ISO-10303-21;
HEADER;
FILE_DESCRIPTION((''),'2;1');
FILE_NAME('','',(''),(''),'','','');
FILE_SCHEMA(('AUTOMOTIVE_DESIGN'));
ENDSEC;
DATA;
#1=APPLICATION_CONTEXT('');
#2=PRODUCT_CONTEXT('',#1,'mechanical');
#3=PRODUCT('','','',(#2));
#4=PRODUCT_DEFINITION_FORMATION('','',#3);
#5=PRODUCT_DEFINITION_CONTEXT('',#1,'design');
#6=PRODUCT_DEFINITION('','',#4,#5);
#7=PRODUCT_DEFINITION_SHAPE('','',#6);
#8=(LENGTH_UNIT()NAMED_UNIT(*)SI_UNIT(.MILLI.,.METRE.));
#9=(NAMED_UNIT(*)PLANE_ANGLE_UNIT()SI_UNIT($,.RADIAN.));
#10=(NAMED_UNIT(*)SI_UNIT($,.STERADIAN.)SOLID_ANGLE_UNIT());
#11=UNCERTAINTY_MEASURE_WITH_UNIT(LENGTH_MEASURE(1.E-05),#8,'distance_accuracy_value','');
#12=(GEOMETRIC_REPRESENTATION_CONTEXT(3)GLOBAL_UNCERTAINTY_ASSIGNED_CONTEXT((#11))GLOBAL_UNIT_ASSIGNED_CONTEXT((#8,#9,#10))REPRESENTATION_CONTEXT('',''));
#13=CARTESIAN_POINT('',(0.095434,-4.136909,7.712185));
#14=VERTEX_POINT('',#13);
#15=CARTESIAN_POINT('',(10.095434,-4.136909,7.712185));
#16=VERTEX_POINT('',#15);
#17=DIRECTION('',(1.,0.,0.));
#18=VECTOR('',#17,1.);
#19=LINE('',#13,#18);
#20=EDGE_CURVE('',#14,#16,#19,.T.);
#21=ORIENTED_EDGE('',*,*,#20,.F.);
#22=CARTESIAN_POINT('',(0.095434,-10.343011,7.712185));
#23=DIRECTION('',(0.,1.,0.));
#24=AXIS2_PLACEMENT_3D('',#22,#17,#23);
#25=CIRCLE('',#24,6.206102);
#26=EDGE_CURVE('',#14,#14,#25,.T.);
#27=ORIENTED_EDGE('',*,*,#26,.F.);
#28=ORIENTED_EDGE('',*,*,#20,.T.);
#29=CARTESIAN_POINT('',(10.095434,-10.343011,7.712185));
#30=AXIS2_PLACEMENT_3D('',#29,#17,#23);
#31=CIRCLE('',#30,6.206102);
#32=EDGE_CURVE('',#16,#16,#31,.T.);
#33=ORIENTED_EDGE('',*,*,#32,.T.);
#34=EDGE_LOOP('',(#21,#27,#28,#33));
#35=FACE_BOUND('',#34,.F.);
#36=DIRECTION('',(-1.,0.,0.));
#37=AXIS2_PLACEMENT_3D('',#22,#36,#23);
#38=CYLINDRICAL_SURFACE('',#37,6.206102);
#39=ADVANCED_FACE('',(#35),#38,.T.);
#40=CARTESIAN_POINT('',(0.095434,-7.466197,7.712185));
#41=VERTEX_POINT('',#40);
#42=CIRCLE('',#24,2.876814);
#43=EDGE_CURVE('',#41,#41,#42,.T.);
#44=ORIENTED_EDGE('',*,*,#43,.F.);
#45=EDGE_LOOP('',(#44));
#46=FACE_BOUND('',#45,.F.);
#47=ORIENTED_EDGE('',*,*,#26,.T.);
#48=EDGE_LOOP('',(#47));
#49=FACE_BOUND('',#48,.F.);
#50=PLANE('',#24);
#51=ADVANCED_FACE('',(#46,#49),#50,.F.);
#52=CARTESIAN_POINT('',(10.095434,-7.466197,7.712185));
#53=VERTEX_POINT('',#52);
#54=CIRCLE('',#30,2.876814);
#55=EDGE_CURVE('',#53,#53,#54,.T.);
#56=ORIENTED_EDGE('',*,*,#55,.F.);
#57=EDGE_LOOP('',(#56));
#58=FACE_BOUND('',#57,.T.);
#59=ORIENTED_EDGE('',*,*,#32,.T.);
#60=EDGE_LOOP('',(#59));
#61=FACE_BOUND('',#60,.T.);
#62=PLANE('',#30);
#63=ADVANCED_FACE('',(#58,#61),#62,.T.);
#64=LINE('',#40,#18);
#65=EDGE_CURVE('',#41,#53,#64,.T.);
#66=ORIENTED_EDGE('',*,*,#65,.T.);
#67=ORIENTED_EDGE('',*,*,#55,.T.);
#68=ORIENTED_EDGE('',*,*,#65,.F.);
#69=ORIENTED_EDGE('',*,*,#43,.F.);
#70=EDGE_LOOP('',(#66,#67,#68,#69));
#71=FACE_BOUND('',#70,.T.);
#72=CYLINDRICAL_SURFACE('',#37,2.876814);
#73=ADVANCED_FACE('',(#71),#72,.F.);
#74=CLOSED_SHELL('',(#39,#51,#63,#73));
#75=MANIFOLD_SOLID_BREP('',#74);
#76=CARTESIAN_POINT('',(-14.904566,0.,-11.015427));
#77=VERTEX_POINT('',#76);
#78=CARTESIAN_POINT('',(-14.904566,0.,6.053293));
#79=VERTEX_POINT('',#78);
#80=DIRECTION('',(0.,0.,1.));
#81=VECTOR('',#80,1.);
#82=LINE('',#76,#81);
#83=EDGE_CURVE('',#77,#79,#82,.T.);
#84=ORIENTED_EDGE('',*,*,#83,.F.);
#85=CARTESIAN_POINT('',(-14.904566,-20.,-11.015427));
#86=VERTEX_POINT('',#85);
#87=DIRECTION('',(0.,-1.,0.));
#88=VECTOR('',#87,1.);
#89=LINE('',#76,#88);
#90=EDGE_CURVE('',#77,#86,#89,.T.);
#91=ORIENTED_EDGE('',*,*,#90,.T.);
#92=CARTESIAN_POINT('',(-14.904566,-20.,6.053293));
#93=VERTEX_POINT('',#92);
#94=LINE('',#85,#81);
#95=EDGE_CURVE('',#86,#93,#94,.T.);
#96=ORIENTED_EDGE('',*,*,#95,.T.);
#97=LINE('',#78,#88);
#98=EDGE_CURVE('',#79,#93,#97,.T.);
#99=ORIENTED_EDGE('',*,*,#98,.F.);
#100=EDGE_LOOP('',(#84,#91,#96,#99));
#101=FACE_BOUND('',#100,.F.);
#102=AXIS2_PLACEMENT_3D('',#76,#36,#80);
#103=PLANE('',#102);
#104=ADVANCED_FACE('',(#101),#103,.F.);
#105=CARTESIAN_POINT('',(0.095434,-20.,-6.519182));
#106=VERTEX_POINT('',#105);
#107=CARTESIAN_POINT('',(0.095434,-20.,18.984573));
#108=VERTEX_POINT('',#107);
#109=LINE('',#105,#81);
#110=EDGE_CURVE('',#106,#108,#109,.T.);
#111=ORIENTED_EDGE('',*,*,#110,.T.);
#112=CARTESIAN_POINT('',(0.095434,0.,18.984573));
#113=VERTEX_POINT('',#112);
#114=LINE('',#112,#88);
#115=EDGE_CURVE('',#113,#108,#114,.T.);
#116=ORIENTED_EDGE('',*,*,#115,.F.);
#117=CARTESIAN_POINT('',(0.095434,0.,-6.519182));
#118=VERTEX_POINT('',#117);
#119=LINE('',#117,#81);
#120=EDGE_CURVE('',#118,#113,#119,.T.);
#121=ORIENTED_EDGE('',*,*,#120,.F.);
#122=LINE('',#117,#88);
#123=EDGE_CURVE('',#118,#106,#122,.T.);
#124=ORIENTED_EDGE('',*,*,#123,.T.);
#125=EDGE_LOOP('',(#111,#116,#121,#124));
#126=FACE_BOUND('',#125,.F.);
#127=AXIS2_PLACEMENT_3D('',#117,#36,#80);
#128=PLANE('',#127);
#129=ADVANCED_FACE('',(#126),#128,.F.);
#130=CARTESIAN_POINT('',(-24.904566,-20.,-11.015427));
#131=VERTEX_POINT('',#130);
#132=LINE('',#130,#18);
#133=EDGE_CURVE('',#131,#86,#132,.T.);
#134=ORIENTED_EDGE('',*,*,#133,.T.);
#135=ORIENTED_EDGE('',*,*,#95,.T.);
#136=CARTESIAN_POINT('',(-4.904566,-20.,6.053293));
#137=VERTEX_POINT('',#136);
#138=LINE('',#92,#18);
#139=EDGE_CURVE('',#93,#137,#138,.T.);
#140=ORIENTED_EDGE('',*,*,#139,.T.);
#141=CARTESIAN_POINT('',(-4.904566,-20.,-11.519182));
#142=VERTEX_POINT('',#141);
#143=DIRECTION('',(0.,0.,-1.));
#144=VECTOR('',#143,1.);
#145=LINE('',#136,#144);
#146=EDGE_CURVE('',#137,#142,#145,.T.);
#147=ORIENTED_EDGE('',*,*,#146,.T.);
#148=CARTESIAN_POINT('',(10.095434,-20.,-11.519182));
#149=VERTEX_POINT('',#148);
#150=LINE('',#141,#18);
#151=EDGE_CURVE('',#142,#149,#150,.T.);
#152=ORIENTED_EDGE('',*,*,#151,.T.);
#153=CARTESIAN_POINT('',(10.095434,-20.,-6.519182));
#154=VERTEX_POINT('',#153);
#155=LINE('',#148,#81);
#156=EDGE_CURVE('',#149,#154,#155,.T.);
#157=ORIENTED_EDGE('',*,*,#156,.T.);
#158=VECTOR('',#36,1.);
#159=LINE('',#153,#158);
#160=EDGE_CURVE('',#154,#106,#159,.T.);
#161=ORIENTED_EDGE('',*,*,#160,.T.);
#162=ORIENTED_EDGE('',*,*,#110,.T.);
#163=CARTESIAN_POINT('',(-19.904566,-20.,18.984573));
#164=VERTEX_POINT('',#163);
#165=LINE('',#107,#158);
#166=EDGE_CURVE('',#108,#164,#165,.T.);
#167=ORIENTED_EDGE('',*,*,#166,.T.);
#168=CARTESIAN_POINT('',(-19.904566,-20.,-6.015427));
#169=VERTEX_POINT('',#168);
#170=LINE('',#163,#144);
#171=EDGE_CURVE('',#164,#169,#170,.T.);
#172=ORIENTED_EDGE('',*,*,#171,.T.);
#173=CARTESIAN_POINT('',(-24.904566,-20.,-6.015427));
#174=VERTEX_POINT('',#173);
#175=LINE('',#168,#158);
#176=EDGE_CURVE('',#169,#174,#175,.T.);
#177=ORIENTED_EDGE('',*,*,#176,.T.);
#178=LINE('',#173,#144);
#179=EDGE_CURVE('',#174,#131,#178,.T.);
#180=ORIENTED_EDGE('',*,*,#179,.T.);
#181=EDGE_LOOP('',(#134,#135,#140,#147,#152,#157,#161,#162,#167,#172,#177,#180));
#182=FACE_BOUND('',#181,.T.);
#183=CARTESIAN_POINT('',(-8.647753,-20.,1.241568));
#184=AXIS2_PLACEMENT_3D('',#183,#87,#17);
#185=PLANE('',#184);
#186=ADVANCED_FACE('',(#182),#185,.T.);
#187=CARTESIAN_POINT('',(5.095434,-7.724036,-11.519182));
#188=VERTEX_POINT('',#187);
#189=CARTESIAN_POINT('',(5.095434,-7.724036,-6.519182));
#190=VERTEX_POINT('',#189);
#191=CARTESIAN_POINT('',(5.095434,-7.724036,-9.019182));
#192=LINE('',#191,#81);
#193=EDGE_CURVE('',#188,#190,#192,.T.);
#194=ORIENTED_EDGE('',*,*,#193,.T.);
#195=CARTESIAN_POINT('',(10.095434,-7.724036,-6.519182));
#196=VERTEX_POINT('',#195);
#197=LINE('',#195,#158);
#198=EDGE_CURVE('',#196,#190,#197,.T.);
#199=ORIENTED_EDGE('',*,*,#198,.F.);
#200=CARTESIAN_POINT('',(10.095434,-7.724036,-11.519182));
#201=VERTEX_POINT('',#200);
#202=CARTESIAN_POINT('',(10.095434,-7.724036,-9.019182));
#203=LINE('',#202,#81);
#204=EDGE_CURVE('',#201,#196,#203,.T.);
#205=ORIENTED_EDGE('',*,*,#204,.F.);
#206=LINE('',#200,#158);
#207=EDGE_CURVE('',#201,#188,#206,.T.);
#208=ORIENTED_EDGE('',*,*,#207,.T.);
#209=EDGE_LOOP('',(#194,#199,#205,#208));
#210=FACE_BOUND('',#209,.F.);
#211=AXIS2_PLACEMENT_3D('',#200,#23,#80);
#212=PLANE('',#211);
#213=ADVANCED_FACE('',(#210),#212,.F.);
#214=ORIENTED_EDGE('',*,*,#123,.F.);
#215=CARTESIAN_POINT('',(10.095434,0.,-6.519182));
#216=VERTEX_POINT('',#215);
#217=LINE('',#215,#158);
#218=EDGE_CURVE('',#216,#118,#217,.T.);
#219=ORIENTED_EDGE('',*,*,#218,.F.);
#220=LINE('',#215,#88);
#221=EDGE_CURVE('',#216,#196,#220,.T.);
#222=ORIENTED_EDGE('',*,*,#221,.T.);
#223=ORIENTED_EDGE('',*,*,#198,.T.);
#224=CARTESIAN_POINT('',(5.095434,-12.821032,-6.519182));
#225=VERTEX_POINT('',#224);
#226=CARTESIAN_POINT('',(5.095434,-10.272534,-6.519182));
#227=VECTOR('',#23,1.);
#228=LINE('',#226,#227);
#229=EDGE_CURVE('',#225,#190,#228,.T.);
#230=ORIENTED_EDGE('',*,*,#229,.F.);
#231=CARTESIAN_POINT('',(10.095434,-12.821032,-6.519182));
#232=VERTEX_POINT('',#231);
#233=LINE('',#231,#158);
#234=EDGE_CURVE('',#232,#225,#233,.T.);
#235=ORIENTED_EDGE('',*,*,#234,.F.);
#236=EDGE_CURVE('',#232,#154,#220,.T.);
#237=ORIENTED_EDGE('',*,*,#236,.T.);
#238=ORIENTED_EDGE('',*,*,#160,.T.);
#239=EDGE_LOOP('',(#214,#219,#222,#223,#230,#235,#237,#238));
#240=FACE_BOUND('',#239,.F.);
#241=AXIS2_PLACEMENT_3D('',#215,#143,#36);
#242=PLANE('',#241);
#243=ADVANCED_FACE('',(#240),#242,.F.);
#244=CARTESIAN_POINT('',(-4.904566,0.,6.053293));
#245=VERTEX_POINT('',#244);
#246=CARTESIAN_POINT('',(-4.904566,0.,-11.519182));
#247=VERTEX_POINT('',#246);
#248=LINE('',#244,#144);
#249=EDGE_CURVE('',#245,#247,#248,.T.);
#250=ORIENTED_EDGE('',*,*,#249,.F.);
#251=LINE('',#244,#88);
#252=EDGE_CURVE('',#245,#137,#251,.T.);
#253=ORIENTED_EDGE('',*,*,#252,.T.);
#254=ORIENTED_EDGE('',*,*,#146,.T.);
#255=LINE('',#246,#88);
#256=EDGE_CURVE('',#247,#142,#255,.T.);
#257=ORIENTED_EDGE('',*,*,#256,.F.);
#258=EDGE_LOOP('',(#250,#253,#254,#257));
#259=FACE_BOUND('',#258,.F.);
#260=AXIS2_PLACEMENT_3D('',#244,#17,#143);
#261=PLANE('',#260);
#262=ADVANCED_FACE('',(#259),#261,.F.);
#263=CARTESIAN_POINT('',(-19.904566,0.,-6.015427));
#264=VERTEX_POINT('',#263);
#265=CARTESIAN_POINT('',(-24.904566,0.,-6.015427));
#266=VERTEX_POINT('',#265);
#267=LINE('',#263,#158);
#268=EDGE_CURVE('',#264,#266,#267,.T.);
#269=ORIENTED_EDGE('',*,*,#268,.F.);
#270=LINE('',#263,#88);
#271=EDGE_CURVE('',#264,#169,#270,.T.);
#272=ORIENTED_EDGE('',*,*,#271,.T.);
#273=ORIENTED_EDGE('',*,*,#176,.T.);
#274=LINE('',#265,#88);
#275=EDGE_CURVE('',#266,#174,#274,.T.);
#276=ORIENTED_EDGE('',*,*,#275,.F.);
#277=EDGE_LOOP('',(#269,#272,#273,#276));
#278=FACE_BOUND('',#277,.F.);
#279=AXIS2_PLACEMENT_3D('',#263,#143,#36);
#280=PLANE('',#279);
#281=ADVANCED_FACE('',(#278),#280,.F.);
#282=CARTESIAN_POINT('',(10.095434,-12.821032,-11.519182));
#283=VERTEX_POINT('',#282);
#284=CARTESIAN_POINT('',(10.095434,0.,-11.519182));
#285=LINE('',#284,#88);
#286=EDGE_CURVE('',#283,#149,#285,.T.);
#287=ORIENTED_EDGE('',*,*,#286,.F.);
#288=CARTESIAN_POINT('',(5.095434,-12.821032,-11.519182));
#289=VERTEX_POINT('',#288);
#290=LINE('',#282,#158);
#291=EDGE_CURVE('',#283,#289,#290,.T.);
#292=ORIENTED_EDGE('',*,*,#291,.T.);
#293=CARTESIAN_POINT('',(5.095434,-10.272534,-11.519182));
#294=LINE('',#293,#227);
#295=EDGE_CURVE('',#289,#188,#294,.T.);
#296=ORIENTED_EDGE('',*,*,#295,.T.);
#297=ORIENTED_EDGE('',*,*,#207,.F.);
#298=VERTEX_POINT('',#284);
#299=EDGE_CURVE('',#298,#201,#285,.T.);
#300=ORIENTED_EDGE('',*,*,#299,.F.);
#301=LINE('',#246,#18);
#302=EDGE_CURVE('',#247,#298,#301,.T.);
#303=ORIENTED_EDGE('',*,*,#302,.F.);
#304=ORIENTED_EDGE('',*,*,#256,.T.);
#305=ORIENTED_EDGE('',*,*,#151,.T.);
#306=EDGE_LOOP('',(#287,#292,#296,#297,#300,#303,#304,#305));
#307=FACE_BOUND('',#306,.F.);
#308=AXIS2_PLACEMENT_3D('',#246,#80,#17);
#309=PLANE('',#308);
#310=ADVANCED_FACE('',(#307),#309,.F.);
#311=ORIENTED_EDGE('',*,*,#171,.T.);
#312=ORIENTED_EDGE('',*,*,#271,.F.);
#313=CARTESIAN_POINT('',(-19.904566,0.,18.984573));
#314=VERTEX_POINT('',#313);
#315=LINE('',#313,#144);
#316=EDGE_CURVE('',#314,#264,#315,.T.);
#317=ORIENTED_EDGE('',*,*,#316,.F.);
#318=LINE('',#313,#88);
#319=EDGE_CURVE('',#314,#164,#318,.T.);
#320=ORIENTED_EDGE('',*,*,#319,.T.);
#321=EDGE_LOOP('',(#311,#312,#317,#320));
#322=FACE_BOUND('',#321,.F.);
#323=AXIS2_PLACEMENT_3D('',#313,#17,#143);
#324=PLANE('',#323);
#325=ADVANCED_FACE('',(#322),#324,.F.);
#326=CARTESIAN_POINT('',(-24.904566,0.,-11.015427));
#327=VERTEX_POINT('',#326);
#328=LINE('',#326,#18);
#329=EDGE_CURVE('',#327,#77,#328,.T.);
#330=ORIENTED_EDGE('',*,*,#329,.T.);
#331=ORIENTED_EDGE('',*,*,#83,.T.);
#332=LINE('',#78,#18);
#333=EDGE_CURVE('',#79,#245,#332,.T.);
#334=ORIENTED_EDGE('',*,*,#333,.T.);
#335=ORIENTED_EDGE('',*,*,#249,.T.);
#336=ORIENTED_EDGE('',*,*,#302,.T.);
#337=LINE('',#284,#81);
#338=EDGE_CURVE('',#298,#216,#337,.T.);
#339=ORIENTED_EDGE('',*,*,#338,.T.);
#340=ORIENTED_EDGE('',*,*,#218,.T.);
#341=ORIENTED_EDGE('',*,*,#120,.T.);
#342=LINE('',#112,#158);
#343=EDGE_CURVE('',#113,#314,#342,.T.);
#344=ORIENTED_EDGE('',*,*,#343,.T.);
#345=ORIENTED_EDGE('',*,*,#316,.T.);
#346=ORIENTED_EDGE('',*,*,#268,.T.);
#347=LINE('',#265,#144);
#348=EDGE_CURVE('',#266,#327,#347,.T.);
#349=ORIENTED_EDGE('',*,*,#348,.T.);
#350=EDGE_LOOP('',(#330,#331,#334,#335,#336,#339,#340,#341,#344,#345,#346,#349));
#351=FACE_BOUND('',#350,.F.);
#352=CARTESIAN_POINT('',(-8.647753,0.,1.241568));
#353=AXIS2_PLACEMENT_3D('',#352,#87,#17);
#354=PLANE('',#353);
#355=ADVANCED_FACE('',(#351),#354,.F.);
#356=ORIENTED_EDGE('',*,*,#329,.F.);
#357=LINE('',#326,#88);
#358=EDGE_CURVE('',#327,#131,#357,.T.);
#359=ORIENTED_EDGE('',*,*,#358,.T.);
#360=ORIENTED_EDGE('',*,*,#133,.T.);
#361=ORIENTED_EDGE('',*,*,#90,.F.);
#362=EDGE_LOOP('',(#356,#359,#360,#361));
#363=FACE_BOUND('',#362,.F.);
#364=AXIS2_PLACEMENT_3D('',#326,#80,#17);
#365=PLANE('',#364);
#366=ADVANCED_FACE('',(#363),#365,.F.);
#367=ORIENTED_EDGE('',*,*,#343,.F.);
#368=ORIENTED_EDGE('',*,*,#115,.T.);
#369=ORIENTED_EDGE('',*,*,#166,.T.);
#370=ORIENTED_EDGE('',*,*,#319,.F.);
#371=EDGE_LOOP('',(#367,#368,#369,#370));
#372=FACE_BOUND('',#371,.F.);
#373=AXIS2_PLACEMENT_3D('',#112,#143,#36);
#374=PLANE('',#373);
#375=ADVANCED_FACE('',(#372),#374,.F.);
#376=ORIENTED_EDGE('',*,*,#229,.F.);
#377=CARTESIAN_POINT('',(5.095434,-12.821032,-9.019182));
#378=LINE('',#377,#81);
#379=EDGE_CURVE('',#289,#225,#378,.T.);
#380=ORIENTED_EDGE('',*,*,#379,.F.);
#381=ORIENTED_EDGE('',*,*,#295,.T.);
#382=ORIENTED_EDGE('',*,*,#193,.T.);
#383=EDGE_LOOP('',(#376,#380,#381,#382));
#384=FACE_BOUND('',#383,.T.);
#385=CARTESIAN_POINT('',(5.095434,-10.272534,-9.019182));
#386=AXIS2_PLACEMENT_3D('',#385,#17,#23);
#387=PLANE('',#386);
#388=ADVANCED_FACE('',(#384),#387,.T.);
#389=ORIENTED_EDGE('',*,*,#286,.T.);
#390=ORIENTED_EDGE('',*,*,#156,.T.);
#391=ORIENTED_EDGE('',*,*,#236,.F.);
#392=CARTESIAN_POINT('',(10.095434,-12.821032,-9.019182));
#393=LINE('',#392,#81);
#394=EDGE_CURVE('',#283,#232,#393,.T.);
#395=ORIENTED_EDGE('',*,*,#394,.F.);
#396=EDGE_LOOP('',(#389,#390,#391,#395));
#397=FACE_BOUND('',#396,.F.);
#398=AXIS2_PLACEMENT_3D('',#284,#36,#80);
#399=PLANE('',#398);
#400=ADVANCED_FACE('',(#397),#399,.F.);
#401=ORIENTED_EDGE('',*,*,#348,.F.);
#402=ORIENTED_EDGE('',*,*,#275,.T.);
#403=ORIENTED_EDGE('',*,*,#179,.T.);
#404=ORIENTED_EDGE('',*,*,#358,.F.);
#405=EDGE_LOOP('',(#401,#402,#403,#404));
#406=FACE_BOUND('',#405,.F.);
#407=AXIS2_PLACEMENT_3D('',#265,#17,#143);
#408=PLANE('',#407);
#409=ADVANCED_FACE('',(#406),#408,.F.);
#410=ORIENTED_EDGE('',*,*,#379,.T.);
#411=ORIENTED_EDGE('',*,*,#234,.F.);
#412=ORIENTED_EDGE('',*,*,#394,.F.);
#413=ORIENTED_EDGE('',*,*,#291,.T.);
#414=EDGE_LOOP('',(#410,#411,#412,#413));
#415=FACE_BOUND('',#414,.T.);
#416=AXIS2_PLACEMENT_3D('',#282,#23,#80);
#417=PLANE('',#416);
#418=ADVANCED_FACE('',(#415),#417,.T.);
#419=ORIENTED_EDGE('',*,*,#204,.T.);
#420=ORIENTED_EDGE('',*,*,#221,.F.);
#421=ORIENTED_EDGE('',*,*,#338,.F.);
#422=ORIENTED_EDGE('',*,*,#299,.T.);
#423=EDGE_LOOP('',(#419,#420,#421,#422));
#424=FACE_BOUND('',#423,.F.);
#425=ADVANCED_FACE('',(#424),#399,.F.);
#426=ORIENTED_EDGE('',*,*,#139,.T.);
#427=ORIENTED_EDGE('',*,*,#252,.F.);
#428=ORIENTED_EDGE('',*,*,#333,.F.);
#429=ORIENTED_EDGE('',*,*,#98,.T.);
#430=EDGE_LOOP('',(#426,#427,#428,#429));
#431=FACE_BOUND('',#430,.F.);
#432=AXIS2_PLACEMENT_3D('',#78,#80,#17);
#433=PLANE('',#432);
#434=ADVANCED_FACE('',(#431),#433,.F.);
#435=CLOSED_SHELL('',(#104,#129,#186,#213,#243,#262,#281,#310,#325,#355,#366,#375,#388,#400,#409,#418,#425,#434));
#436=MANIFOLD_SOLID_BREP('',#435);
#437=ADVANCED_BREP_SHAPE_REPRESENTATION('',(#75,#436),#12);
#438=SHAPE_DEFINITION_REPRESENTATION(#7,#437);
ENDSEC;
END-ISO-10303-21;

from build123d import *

# Parameters (mm, degrees)
F1_DEPTH = 20
F2_W     = 5.096997
F2_H     = 5
F3_DEPTH = 5
F4_R     = 6.206102
F4_R_2   = 2.876814
F5_DEPTH = 10


with BuildPart() as f1:
    # F0 (on Front) → F1 (new body)
    with BuildSketch(Plane.XZ):
        Polygon((-24.904566, -6.015427), (-24.904566, -11.015427), (-14.904566, -11.015427), (-14.904566, 6.053293), (-4.904566, 6.053293), (-4.904566, -11.519182), (10.095434, -11.519182), (10.095434, -6.519182), (0.095434, -6.519182), (0.095434, 18.984573), (-19.904566, 18.984573), (-19.904566, -6.015427), align=None)
    extrude(amount=F1_DEPTH)

    # F2 (on face) → F3 (cut)
    with BuildSketch(Plane.YZ.offset(10.095434)):
        with Locations((-10.272534, -9.019182)):
            Rectangle(F2_W, F2_H)
    extrude(amount=-F3_DEPTH, mode=Mode.SUBTRACT)


with BuildPart() as f5:
    # F4 (on face) → F5 (new body)
    with BuildSketch(Plane.YZ.offset(0.095434)):
        with Locations((-10.343011, 7.712185)):
            Circle(F4_R)
        with Locations((-10.343011, 7.712185)):
            Circle(F4_R_2, mode=Mode.SUBTRACT)
    extrude(amount=F5_DEPTH)


solid = Compound([f1.part, f5.part])
